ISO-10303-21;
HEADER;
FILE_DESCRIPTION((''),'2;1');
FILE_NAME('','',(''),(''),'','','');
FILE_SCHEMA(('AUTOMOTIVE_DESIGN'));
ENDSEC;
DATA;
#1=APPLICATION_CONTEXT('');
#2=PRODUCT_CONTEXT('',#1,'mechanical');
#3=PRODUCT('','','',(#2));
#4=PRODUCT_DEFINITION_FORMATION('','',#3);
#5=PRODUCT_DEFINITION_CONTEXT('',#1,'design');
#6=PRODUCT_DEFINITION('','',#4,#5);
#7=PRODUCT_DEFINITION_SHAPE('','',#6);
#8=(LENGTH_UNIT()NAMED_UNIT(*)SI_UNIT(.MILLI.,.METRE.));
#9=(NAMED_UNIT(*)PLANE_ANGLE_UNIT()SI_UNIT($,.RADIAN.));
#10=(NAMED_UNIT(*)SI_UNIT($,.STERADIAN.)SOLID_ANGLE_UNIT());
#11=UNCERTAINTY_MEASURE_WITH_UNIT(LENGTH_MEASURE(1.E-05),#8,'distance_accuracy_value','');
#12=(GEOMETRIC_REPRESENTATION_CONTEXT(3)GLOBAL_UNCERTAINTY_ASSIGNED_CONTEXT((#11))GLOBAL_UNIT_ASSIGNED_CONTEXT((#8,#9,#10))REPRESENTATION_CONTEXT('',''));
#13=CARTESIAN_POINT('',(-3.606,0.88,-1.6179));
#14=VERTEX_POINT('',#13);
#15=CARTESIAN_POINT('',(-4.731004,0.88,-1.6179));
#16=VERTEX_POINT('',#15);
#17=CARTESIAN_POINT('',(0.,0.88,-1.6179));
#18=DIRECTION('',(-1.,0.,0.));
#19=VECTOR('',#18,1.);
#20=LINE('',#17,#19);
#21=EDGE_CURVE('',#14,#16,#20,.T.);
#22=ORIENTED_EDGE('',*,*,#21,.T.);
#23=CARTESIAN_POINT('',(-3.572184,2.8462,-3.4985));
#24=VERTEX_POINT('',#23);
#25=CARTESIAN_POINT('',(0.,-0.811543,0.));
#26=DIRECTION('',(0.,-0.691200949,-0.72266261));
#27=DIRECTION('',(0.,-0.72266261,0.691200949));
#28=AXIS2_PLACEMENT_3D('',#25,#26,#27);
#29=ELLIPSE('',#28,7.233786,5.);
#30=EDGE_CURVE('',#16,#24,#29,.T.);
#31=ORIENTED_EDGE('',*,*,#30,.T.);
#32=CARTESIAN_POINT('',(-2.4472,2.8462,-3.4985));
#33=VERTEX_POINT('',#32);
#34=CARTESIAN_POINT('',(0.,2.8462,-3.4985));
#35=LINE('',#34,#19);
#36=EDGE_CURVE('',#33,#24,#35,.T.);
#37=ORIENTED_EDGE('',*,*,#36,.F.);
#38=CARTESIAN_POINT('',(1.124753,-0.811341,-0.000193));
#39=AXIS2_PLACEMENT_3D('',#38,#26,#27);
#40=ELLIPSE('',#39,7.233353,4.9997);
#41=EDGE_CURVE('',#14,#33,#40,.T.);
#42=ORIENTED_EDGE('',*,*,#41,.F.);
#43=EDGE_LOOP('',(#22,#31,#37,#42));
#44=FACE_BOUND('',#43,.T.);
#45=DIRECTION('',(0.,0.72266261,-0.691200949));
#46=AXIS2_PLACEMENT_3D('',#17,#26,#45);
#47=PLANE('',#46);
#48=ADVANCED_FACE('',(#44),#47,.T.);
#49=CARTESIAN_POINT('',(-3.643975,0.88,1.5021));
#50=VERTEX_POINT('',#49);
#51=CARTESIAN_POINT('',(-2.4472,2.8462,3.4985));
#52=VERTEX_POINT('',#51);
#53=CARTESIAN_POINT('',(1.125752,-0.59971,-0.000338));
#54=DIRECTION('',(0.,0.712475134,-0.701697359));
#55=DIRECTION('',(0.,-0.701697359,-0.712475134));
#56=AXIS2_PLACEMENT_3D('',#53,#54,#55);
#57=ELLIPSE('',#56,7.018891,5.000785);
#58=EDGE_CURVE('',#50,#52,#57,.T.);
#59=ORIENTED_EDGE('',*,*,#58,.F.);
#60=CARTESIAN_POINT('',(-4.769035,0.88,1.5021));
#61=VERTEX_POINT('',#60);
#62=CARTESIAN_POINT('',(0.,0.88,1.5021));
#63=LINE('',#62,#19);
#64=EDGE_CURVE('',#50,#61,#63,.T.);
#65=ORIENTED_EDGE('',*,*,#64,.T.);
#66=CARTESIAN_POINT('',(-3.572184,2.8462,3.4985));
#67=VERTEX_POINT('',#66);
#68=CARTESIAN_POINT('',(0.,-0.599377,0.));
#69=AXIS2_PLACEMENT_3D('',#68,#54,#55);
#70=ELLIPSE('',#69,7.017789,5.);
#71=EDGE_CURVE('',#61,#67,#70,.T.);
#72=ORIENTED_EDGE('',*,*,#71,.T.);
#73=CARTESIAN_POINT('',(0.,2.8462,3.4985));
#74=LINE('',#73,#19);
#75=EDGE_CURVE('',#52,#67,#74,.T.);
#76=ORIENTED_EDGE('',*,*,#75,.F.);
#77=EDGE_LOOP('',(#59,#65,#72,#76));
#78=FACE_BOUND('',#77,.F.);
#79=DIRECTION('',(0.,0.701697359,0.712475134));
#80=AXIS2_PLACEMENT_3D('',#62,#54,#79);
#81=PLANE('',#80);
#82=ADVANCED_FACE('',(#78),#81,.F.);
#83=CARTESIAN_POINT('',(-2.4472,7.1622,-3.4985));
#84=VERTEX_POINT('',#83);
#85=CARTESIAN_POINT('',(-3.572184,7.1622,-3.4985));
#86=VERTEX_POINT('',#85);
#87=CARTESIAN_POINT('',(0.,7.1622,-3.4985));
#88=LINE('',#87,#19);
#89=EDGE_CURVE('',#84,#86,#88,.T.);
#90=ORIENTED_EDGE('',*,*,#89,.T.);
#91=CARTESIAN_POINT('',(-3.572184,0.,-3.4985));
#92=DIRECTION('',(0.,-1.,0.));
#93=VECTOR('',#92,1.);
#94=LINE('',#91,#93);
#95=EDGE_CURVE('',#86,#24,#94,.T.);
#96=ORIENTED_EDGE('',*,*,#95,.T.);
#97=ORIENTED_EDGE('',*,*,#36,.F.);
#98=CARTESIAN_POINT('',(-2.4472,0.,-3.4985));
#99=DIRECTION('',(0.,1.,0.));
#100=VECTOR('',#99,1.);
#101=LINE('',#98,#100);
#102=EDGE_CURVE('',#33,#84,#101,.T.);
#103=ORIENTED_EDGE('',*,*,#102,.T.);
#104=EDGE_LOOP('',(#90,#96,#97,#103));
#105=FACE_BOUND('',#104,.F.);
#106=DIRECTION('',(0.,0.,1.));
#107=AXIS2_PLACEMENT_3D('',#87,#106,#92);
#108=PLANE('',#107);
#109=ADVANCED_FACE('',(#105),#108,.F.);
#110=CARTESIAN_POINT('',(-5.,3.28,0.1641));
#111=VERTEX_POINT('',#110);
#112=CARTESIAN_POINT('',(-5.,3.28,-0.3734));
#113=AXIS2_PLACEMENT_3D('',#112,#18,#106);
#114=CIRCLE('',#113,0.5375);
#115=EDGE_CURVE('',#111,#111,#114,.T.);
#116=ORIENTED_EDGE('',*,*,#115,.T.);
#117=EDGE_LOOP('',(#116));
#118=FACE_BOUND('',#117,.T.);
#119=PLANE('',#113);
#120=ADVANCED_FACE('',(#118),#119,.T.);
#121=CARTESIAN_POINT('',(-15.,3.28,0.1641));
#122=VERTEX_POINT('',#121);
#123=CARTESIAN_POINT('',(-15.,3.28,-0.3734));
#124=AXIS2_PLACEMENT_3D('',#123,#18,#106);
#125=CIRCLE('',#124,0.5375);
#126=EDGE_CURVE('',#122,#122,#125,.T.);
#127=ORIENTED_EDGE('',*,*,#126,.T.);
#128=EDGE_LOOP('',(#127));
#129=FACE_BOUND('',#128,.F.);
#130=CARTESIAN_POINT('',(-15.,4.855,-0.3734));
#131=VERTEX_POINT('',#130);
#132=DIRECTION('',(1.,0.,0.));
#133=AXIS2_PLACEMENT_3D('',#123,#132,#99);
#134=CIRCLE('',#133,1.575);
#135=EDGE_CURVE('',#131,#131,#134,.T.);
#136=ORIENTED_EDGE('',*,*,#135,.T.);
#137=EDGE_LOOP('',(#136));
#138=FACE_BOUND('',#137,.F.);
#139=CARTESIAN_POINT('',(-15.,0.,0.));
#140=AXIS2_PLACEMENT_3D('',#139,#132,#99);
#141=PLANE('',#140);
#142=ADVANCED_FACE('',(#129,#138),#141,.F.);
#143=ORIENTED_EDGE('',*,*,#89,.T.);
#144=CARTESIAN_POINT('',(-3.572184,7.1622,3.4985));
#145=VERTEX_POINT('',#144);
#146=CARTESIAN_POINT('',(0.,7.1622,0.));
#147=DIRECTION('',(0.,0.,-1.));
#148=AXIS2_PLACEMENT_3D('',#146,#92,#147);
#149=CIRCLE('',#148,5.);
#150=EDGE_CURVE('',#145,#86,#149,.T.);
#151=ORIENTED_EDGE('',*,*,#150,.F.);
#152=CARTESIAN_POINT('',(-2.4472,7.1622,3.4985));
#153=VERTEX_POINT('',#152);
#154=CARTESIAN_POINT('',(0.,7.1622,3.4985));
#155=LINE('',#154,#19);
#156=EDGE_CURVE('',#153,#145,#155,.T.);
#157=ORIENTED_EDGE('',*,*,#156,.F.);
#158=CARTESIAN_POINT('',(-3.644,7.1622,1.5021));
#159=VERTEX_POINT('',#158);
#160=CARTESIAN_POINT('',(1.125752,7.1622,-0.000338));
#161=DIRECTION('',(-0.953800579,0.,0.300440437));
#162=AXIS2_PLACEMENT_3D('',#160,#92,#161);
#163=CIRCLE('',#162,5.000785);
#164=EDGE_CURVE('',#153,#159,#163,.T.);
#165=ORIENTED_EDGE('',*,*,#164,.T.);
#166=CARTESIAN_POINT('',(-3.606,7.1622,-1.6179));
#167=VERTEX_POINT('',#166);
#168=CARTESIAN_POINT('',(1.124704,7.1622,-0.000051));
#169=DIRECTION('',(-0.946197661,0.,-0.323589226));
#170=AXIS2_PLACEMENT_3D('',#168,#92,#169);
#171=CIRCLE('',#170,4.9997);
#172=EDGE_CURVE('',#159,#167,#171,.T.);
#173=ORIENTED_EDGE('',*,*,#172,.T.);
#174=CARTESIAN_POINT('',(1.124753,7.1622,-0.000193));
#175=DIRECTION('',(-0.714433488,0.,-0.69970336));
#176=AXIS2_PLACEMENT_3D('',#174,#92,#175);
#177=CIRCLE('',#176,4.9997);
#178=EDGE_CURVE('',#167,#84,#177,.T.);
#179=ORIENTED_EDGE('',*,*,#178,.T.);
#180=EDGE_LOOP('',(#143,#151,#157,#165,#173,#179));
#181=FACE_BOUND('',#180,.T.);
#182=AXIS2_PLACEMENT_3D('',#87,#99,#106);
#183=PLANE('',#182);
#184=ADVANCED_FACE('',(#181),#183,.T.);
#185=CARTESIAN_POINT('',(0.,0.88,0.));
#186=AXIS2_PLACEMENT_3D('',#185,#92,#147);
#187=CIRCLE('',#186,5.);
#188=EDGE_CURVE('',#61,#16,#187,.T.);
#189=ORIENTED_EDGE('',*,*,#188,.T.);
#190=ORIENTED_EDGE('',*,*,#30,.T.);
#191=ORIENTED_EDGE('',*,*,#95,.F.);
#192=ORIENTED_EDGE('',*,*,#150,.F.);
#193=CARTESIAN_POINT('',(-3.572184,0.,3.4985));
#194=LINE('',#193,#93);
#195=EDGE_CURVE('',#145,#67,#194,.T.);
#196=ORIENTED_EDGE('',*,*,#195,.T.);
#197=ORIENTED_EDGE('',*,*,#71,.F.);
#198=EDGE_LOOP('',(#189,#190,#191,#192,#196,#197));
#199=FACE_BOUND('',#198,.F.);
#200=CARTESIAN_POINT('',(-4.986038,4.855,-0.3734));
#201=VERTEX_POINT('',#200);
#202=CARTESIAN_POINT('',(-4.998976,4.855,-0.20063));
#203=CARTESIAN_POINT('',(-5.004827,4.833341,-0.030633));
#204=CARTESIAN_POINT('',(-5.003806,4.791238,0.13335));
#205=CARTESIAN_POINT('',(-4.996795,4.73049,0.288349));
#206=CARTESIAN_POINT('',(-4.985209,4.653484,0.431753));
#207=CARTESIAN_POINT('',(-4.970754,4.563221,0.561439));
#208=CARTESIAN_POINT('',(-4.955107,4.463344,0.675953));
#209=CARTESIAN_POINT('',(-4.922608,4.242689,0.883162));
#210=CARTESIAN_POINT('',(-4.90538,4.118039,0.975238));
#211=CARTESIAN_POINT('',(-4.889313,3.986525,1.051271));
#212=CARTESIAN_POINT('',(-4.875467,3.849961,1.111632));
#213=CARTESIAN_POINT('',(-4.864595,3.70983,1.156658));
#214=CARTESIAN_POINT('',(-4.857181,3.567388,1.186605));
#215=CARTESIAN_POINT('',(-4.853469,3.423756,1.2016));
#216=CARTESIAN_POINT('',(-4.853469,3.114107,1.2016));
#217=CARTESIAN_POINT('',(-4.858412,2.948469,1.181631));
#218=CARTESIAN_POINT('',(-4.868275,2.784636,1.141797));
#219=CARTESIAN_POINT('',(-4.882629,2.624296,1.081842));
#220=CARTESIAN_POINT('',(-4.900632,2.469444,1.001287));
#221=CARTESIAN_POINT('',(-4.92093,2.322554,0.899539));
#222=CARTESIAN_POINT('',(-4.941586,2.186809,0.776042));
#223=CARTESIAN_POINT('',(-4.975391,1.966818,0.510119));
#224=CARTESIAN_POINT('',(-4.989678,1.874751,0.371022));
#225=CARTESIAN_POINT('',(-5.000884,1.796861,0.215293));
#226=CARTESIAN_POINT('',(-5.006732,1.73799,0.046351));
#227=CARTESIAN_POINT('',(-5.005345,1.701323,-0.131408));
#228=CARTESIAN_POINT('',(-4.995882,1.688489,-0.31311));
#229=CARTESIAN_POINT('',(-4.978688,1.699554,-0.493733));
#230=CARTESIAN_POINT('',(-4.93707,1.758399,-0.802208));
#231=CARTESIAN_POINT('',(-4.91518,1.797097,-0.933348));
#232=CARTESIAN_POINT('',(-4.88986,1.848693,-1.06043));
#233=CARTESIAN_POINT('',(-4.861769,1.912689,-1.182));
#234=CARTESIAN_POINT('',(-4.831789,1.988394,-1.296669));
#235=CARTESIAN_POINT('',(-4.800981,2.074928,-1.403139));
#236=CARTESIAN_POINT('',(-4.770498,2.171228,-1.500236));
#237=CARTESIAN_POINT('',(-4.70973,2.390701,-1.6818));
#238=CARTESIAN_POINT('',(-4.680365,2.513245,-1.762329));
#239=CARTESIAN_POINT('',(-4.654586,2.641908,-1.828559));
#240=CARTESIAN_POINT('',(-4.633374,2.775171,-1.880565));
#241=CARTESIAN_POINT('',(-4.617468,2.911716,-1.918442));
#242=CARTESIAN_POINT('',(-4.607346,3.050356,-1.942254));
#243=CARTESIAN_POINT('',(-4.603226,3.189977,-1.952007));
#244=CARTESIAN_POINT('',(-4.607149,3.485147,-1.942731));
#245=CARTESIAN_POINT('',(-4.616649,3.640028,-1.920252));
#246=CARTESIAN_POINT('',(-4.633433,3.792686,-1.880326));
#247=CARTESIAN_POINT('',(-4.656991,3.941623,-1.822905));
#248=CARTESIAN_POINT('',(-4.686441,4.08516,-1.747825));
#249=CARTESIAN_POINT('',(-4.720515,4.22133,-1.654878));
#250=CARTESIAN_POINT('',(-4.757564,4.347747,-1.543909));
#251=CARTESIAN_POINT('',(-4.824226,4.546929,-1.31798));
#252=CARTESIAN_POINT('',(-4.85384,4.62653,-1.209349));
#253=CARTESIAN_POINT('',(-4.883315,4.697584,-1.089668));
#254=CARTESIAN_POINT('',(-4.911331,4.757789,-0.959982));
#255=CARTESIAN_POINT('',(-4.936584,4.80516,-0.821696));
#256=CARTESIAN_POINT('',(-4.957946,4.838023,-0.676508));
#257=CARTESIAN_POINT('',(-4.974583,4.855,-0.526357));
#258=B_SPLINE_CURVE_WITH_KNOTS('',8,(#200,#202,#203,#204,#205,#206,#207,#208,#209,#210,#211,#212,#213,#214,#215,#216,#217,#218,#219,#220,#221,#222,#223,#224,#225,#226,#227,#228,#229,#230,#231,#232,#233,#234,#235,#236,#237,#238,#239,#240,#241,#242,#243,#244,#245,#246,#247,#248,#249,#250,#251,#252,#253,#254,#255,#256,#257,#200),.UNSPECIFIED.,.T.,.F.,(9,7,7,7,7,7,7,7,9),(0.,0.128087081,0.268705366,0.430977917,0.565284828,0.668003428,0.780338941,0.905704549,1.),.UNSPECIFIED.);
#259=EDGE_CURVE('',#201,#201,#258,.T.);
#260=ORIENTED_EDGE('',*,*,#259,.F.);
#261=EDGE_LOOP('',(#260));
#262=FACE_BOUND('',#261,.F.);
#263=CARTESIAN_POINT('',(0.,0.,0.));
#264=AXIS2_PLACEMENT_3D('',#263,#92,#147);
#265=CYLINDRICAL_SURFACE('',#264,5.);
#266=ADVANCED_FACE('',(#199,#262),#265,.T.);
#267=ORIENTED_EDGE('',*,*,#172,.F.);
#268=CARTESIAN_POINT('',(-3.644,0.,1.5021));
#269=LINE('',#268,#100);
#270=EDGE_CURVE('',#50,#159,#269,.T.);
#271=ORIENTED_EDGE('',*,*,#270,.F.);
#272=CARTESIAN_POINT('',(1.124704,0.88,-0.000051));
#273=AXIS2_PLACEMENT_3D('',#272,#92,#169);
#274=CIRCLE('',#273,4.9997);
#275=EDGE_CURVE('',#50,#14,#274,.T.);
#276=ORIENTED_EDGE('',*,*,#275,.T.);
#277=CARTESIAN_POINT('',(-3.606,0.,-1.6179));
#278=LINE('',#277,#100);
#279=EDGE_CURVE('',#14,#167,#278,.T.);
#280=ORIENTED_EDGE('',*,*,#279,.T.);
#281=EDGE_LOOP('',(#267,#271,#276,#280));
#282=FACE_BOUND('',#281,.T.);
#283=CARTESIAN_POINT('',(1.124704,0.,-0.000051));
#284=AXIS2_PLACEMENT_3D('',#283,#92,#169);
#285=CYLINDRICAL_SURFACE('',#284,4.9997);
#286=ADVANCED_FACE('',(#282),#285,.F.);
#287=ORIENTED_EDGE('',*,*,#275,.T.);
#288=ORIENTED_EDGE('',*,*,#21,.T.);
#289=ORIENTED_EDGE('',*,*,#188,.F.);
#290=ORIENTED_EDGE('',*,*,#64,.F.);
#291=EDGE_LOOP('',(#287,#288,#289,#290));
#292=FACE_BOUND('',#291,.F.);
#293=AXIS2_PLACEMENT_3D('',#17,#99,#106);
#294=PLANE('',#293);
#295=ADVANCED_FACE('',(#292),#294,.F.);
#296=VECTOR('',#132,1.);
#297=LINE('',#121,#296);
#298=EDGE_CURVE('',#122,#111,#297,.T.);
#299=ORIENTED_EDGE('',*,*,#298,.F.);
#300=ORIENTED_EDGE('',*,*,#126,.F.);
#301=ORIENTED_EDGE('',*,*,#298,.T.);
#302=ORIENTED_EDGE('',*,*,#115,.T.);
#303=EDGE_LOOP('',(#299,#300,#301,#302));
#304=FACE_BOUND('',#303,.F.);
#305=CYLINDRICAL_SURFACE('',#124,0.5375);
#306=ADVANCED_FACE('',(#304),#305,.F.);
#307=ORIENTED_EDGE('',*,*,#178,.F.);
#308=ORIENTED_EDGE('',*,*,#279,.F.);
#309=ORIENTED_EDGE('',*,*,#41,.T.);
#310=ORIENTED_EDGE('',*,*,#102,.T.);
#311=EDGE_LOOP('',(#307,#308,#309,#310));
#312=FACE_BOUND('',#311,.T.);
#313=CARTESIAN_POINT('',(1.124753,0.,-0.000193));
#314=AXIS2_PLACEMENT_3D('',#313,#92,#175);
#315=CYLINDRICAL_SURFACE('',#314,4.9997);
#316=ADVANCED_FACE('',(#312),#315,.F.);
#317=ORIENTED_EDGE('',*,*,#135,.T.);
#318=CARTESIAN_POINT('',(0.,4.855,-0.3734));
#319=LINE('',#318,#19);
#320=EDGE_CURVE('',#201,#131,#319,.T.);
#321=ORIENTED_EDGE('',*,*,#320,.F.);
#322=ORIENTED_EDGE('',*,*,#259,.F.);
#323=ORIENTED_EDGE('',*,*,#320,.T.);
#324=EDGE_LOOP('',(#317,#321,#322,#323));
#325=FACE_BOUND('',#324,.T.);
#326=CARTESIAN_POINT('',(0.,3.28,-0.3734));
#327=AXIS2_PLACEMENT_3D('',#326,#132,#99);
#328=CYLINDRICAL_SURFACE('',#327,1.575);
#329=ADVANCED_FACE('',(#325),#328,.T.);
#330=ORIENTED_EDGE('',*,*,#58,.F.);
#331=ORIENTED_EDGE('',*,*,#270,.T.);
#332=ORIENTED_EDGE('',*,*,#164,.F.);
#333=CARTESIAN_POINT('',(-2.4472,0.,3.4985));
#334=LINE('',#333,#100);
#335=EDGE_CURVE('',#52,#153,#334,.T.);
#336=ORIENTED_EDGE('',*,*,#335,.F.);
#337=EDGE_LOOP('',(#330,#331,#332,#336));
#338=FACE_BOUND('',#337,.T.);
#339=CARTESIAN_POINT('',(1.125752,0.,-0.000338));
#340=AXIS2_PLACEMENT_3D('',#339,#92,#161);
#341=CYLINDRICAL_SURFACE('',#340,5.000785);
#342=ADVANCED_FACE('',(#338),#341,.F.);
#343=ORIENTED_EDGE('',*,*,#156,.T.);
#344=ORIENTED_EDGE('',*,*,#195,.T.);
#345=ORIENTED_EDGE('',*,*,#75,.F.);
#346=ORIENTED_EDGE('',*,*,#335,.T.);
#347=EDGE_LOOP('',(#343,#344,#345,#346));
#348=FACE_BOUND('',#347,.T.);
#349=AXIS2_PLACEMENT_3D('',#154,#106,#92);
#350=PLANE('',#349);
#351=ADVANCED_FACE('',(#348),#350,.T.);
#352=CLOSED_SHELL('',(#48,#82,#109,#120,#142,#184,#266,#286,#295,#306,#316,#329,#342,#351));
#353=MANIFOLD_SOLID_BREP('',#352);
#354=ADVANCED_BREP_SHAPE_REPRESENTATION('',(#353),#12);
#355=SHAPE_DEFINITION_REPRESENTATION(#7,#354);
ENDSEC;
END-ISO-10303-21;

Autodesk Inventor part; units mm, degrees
ref_plane "YZ Plane" through (0, 0, 0) normal (1, 0, 0) x (0, 1, 0)
ref_plane "XZ Plane" through (0, 0, 0) normal (0, 1, 0) x (-1, 0, 0)
ref_plane "XY Plane" through (0, 0, 0) normal (0, 0, 1) x (1, 0, 0)
sketch "Sketch1" plane through (0, 0, 0) normal (0, 1, 0) x (-1, 0, 0)
  arc A0 (0, -5) -> (0, 5) centre (0, 0) ccw
  line L0 (0, 5) -> (0, -5)
  dimension "d0" = 10
extrude "Extrusion1" add sketch "Sketch1" along normal blind 10
sketch "Sketch2" plane through (0, 0, 0) normal (1, 0, 0) x (0, 1, 0)
  line L0 (8.0172, -4.5) -> (8.0172, 4.5)
  line L1 (8.0172, 4.5) -> (2.5172, 4.5)
  line L2 (2.5172, -4.5) -> (0.0172, -2)
  line L3 (2.5172, 4.5) -> (0.0172, 2)
  line L4 (0.0172, -2) -> (0.0172, 2)
  line L5 (8.0172, -4.5) -> (2.5172, -4.5)
  point P0 (0, 0)
  dimension "d3" = 9
  dimension "d4" = 8
sketch "Sketch3" plane through (0, 0, 0) normal (1, 0, 0) x (0, 1, 0)
  line L0 (0, 2) -> (3, 5)
  arc A0 (3, 5) -> (0, 2) centre (1, 4) ccw
  line L1 (0, -2) -> (4, -6)
  arc A1 (0, -2) -> (4, -6) centre (1.75, -4.25) ccw
  line L2 (8.0325, 5) -> (11, 5)
  line L3 (11, 5) -> (11, -6)
  line L4 (11, -6) -> (8.0325, -6)
  line L5 (8.0325, -6) -> (8.0325, 5)
  line L6 (2.4911, 4.4911) -> (5, 7)
  line L7 (2.4911, 4.4911) -> (8.0325, 4.4911)
  arc A2 (8.0325, 4.4911) -> (5, 7) centre (7, 6.3303) ccw
  line L8 (2.4911, -4.4911) -> (8.5706, -4.4911)
  arc A3 (2.4911, -4.4911) -> (8.5706, -4.4911) centre (5.5309, -7.5041) ccw
  point P0 (0, 0)
extrude "Extrusion2" cut sketch "Sketch3" against normal through all
sketch "Sketch4" plane through (0, 0, 0) normal (0, 1, 0) x (-1, 0, 0)
  arc A0 (1.0726, -4.4911) -> (1.0726, 4.4911) centre (-1.125, 0) ccw
  arc A1 (1.0726, 4.4911) -> (1.0726, -4.4911) centre (-0.4517, 0) ccw
  point P0 (0, 0)
  point P1 (2.1976, -4.4911)
  point P2 (2.1976, 4.4911)
  dimension "d9" = 1.125
  dimension "d10" = 1.125
extrude "Extrusion3" cut sketch "Sketch4" along normal through all both and the other way through all
sketch "Sketch5" plane through (0, 0, 0) normal (1, 0, 0) x (0, 1, 0)
  line L0 (0.88, -1.6179) -> (0.88, 1.5021)
  line L1 (7.1622, 3.4985) -> (2.8462, 3.4985)
  line L2 (7.1622, -3.4985) -> (7.1622, 3.4985)
  line L3 (7.1622, -3.4985) -> (2.8462, -3.4985)
  line L4 (0, 2) -> (0, -2) projected
  line L5 (8.0325, 4.4911) -> (8.0325, -4.4911) projected
  line L6 (0, 2) -> (2.4911, 4.4911) projected
  line L7 (2.4911, 4.4911) -> (8.0325, 4.4911) projected
  line L8 (8.0325, 4.4911) -> (8.0325, -4.4911) projected
  line L9 (8.0325, -4.4911) -> (2.4911, -4.4911) projected
  line L10 (2.4911, -4.4911) -> (0, -2) projected
  line L11 (0, 2) -> (0, -2) projected
  line L12 (0.88, 1.5021) -> (2.8462, 3.4985)
  line L13 (0.88, -1.6179) -> (2.8462, -3.4985)
  line L14 (0.88, 6.0552) -> (0.88, -6.997)
  arc A0 (0.88, 6.0552) -> (0.88, -6.997) centre (3.0168, -0.4709) ccw
  line L15 (0.88, 1.5021) -> (5.9184, 6.6178)
  line L16 (0.88, 1.5021) -> (0.88, 9.8799)
  arc A1 (5.9184, 6.6178) -> (0.88, 9.8799) centre (3.8488, 8.9433) ccw
  line L17 (2.8462, 3.4985) -> (14.9244, 3.4985)
  line L18 (2.8462, 3.4985) -> (9.8914, 10.6517)
  arc A2 (14.9244, 3.4985) -> (9.8914, 10.6517) centre (9.6254, 5.1173) ccw
  line L19 (7.1622, 3.4985) -> (16.5233, 3.4985)
  line L20 (7.1622, 3.4985) -> (7.1622, -12.1727)
  arc A3 (7.1622, -12.1727) -> (16.5233, 3.4985) centre (7.081, -1.4927) ccw
  line L21 (7.1622, -3.4985) -> (7.1622, -15.0508)
  line L22 (7.1622, -3.4985) -> (2.8462, -3.4985)
  line L23 (2.8462, -3.4985) -> (3.0168, -16.7137)
  arc A4 (3.0168, -16.7137) -> (7.1622, -12.1727) centre (6.096, -15.362) ccw
  line L24 (0.88, -1.6179) -> (0.88, -10.6889)
  line L25 (0.88, -1.6179) -> (2.8462, -3.4985)
  line L26 (2.8462, -3.4985) -> (2.953, -11.7746)
  arc A5 (0.88, -10.6889) -> (2.953, -11.7746) centre (2.2295, -10.6341) ccw
  point P0 (0, 0)
  dimension "d16" = 0.88
  dimension "d18" = 0.8703
  dimension "d21" = 0.9927
  dimension "d23" = 0.9927
  dimension "d24" = 3.12
  dimension "d26" = 4.316
  dimension "d27" = 4.316
extrude "Extrusion4" cut sketch "Sketch5" against normal through all contours L14 L10 L4 L6 L0 | L13 L23 L9 L10 L14 | L14 L6 L7 L15 L12 | L3 L20 L9 L23 | L14 A0 L6 L4 L10 | L10 L9 L23 A5 L24 L14 | L15 L7 L5 L17 L1 | L14 L16 A1 L18 L15 L7 L6 | L2 L17 L5 L9 L20 | L9 L20 A4 L23 | L15 A1 L18 A2 L17 L5 L7 | L9 L5 L17 L19 A3 L20 | L18 A1
sketch "Sketch6" plane through (0, 0, 0) normal (1, 0, 0) x (0, 1, 0)
  circle A0 centre (3.28, -0.3734) radius 1.575
  line L0 (0.88, -1.6179) -> (0.88, 1.5021) projected
  point P0 (0, 0)
  dimension "d31" = 3.15
  dimension "d32" = 2.4
extrude "Extrusion5" add sketch "Sketch6" against normal blind 15
sketch "Sketch7" plane through (0, 0, 0) normal (0, 1, 0) x (-1, 0, 0)
  arc A0 (2.4472, -3.4985) -> (3.606, -1.6179) centre (-1.125, 0) ccw projected
  arc A1 (3.644, 1.5021) -> (2.4472, 3.4985) centre (-1.125, 0) ccw projected
  arc A2 (3.606, -1.6179) -> (3.644, 1.5021) centre (-1.125, 0) ccw
  arc A3 (2.4472, 3.4985) -> (2.4472, -3.4985) centre (2.4472, 0) ccw
  point P0 (0, 0)
extrude "Extrusion6" cut sketch "Sketch7" along normal through all
sketch "Sketch8" plane through (-15, 3.28, -0.3734) normal (-1, 0, 0) x (0, 0, 1)
  circle A0 centre (0, 0) radius 0.5375
  point P0 (0.3734, -3.28)
  dimension "d37" = 1.075
extrude "Extrusion7" cut sketch "Sketch8" against normal blind 10
properties part number "10mm_radius_labmaker_cSkull_mold_window_stabilizer_surface_bigger_May1519"
